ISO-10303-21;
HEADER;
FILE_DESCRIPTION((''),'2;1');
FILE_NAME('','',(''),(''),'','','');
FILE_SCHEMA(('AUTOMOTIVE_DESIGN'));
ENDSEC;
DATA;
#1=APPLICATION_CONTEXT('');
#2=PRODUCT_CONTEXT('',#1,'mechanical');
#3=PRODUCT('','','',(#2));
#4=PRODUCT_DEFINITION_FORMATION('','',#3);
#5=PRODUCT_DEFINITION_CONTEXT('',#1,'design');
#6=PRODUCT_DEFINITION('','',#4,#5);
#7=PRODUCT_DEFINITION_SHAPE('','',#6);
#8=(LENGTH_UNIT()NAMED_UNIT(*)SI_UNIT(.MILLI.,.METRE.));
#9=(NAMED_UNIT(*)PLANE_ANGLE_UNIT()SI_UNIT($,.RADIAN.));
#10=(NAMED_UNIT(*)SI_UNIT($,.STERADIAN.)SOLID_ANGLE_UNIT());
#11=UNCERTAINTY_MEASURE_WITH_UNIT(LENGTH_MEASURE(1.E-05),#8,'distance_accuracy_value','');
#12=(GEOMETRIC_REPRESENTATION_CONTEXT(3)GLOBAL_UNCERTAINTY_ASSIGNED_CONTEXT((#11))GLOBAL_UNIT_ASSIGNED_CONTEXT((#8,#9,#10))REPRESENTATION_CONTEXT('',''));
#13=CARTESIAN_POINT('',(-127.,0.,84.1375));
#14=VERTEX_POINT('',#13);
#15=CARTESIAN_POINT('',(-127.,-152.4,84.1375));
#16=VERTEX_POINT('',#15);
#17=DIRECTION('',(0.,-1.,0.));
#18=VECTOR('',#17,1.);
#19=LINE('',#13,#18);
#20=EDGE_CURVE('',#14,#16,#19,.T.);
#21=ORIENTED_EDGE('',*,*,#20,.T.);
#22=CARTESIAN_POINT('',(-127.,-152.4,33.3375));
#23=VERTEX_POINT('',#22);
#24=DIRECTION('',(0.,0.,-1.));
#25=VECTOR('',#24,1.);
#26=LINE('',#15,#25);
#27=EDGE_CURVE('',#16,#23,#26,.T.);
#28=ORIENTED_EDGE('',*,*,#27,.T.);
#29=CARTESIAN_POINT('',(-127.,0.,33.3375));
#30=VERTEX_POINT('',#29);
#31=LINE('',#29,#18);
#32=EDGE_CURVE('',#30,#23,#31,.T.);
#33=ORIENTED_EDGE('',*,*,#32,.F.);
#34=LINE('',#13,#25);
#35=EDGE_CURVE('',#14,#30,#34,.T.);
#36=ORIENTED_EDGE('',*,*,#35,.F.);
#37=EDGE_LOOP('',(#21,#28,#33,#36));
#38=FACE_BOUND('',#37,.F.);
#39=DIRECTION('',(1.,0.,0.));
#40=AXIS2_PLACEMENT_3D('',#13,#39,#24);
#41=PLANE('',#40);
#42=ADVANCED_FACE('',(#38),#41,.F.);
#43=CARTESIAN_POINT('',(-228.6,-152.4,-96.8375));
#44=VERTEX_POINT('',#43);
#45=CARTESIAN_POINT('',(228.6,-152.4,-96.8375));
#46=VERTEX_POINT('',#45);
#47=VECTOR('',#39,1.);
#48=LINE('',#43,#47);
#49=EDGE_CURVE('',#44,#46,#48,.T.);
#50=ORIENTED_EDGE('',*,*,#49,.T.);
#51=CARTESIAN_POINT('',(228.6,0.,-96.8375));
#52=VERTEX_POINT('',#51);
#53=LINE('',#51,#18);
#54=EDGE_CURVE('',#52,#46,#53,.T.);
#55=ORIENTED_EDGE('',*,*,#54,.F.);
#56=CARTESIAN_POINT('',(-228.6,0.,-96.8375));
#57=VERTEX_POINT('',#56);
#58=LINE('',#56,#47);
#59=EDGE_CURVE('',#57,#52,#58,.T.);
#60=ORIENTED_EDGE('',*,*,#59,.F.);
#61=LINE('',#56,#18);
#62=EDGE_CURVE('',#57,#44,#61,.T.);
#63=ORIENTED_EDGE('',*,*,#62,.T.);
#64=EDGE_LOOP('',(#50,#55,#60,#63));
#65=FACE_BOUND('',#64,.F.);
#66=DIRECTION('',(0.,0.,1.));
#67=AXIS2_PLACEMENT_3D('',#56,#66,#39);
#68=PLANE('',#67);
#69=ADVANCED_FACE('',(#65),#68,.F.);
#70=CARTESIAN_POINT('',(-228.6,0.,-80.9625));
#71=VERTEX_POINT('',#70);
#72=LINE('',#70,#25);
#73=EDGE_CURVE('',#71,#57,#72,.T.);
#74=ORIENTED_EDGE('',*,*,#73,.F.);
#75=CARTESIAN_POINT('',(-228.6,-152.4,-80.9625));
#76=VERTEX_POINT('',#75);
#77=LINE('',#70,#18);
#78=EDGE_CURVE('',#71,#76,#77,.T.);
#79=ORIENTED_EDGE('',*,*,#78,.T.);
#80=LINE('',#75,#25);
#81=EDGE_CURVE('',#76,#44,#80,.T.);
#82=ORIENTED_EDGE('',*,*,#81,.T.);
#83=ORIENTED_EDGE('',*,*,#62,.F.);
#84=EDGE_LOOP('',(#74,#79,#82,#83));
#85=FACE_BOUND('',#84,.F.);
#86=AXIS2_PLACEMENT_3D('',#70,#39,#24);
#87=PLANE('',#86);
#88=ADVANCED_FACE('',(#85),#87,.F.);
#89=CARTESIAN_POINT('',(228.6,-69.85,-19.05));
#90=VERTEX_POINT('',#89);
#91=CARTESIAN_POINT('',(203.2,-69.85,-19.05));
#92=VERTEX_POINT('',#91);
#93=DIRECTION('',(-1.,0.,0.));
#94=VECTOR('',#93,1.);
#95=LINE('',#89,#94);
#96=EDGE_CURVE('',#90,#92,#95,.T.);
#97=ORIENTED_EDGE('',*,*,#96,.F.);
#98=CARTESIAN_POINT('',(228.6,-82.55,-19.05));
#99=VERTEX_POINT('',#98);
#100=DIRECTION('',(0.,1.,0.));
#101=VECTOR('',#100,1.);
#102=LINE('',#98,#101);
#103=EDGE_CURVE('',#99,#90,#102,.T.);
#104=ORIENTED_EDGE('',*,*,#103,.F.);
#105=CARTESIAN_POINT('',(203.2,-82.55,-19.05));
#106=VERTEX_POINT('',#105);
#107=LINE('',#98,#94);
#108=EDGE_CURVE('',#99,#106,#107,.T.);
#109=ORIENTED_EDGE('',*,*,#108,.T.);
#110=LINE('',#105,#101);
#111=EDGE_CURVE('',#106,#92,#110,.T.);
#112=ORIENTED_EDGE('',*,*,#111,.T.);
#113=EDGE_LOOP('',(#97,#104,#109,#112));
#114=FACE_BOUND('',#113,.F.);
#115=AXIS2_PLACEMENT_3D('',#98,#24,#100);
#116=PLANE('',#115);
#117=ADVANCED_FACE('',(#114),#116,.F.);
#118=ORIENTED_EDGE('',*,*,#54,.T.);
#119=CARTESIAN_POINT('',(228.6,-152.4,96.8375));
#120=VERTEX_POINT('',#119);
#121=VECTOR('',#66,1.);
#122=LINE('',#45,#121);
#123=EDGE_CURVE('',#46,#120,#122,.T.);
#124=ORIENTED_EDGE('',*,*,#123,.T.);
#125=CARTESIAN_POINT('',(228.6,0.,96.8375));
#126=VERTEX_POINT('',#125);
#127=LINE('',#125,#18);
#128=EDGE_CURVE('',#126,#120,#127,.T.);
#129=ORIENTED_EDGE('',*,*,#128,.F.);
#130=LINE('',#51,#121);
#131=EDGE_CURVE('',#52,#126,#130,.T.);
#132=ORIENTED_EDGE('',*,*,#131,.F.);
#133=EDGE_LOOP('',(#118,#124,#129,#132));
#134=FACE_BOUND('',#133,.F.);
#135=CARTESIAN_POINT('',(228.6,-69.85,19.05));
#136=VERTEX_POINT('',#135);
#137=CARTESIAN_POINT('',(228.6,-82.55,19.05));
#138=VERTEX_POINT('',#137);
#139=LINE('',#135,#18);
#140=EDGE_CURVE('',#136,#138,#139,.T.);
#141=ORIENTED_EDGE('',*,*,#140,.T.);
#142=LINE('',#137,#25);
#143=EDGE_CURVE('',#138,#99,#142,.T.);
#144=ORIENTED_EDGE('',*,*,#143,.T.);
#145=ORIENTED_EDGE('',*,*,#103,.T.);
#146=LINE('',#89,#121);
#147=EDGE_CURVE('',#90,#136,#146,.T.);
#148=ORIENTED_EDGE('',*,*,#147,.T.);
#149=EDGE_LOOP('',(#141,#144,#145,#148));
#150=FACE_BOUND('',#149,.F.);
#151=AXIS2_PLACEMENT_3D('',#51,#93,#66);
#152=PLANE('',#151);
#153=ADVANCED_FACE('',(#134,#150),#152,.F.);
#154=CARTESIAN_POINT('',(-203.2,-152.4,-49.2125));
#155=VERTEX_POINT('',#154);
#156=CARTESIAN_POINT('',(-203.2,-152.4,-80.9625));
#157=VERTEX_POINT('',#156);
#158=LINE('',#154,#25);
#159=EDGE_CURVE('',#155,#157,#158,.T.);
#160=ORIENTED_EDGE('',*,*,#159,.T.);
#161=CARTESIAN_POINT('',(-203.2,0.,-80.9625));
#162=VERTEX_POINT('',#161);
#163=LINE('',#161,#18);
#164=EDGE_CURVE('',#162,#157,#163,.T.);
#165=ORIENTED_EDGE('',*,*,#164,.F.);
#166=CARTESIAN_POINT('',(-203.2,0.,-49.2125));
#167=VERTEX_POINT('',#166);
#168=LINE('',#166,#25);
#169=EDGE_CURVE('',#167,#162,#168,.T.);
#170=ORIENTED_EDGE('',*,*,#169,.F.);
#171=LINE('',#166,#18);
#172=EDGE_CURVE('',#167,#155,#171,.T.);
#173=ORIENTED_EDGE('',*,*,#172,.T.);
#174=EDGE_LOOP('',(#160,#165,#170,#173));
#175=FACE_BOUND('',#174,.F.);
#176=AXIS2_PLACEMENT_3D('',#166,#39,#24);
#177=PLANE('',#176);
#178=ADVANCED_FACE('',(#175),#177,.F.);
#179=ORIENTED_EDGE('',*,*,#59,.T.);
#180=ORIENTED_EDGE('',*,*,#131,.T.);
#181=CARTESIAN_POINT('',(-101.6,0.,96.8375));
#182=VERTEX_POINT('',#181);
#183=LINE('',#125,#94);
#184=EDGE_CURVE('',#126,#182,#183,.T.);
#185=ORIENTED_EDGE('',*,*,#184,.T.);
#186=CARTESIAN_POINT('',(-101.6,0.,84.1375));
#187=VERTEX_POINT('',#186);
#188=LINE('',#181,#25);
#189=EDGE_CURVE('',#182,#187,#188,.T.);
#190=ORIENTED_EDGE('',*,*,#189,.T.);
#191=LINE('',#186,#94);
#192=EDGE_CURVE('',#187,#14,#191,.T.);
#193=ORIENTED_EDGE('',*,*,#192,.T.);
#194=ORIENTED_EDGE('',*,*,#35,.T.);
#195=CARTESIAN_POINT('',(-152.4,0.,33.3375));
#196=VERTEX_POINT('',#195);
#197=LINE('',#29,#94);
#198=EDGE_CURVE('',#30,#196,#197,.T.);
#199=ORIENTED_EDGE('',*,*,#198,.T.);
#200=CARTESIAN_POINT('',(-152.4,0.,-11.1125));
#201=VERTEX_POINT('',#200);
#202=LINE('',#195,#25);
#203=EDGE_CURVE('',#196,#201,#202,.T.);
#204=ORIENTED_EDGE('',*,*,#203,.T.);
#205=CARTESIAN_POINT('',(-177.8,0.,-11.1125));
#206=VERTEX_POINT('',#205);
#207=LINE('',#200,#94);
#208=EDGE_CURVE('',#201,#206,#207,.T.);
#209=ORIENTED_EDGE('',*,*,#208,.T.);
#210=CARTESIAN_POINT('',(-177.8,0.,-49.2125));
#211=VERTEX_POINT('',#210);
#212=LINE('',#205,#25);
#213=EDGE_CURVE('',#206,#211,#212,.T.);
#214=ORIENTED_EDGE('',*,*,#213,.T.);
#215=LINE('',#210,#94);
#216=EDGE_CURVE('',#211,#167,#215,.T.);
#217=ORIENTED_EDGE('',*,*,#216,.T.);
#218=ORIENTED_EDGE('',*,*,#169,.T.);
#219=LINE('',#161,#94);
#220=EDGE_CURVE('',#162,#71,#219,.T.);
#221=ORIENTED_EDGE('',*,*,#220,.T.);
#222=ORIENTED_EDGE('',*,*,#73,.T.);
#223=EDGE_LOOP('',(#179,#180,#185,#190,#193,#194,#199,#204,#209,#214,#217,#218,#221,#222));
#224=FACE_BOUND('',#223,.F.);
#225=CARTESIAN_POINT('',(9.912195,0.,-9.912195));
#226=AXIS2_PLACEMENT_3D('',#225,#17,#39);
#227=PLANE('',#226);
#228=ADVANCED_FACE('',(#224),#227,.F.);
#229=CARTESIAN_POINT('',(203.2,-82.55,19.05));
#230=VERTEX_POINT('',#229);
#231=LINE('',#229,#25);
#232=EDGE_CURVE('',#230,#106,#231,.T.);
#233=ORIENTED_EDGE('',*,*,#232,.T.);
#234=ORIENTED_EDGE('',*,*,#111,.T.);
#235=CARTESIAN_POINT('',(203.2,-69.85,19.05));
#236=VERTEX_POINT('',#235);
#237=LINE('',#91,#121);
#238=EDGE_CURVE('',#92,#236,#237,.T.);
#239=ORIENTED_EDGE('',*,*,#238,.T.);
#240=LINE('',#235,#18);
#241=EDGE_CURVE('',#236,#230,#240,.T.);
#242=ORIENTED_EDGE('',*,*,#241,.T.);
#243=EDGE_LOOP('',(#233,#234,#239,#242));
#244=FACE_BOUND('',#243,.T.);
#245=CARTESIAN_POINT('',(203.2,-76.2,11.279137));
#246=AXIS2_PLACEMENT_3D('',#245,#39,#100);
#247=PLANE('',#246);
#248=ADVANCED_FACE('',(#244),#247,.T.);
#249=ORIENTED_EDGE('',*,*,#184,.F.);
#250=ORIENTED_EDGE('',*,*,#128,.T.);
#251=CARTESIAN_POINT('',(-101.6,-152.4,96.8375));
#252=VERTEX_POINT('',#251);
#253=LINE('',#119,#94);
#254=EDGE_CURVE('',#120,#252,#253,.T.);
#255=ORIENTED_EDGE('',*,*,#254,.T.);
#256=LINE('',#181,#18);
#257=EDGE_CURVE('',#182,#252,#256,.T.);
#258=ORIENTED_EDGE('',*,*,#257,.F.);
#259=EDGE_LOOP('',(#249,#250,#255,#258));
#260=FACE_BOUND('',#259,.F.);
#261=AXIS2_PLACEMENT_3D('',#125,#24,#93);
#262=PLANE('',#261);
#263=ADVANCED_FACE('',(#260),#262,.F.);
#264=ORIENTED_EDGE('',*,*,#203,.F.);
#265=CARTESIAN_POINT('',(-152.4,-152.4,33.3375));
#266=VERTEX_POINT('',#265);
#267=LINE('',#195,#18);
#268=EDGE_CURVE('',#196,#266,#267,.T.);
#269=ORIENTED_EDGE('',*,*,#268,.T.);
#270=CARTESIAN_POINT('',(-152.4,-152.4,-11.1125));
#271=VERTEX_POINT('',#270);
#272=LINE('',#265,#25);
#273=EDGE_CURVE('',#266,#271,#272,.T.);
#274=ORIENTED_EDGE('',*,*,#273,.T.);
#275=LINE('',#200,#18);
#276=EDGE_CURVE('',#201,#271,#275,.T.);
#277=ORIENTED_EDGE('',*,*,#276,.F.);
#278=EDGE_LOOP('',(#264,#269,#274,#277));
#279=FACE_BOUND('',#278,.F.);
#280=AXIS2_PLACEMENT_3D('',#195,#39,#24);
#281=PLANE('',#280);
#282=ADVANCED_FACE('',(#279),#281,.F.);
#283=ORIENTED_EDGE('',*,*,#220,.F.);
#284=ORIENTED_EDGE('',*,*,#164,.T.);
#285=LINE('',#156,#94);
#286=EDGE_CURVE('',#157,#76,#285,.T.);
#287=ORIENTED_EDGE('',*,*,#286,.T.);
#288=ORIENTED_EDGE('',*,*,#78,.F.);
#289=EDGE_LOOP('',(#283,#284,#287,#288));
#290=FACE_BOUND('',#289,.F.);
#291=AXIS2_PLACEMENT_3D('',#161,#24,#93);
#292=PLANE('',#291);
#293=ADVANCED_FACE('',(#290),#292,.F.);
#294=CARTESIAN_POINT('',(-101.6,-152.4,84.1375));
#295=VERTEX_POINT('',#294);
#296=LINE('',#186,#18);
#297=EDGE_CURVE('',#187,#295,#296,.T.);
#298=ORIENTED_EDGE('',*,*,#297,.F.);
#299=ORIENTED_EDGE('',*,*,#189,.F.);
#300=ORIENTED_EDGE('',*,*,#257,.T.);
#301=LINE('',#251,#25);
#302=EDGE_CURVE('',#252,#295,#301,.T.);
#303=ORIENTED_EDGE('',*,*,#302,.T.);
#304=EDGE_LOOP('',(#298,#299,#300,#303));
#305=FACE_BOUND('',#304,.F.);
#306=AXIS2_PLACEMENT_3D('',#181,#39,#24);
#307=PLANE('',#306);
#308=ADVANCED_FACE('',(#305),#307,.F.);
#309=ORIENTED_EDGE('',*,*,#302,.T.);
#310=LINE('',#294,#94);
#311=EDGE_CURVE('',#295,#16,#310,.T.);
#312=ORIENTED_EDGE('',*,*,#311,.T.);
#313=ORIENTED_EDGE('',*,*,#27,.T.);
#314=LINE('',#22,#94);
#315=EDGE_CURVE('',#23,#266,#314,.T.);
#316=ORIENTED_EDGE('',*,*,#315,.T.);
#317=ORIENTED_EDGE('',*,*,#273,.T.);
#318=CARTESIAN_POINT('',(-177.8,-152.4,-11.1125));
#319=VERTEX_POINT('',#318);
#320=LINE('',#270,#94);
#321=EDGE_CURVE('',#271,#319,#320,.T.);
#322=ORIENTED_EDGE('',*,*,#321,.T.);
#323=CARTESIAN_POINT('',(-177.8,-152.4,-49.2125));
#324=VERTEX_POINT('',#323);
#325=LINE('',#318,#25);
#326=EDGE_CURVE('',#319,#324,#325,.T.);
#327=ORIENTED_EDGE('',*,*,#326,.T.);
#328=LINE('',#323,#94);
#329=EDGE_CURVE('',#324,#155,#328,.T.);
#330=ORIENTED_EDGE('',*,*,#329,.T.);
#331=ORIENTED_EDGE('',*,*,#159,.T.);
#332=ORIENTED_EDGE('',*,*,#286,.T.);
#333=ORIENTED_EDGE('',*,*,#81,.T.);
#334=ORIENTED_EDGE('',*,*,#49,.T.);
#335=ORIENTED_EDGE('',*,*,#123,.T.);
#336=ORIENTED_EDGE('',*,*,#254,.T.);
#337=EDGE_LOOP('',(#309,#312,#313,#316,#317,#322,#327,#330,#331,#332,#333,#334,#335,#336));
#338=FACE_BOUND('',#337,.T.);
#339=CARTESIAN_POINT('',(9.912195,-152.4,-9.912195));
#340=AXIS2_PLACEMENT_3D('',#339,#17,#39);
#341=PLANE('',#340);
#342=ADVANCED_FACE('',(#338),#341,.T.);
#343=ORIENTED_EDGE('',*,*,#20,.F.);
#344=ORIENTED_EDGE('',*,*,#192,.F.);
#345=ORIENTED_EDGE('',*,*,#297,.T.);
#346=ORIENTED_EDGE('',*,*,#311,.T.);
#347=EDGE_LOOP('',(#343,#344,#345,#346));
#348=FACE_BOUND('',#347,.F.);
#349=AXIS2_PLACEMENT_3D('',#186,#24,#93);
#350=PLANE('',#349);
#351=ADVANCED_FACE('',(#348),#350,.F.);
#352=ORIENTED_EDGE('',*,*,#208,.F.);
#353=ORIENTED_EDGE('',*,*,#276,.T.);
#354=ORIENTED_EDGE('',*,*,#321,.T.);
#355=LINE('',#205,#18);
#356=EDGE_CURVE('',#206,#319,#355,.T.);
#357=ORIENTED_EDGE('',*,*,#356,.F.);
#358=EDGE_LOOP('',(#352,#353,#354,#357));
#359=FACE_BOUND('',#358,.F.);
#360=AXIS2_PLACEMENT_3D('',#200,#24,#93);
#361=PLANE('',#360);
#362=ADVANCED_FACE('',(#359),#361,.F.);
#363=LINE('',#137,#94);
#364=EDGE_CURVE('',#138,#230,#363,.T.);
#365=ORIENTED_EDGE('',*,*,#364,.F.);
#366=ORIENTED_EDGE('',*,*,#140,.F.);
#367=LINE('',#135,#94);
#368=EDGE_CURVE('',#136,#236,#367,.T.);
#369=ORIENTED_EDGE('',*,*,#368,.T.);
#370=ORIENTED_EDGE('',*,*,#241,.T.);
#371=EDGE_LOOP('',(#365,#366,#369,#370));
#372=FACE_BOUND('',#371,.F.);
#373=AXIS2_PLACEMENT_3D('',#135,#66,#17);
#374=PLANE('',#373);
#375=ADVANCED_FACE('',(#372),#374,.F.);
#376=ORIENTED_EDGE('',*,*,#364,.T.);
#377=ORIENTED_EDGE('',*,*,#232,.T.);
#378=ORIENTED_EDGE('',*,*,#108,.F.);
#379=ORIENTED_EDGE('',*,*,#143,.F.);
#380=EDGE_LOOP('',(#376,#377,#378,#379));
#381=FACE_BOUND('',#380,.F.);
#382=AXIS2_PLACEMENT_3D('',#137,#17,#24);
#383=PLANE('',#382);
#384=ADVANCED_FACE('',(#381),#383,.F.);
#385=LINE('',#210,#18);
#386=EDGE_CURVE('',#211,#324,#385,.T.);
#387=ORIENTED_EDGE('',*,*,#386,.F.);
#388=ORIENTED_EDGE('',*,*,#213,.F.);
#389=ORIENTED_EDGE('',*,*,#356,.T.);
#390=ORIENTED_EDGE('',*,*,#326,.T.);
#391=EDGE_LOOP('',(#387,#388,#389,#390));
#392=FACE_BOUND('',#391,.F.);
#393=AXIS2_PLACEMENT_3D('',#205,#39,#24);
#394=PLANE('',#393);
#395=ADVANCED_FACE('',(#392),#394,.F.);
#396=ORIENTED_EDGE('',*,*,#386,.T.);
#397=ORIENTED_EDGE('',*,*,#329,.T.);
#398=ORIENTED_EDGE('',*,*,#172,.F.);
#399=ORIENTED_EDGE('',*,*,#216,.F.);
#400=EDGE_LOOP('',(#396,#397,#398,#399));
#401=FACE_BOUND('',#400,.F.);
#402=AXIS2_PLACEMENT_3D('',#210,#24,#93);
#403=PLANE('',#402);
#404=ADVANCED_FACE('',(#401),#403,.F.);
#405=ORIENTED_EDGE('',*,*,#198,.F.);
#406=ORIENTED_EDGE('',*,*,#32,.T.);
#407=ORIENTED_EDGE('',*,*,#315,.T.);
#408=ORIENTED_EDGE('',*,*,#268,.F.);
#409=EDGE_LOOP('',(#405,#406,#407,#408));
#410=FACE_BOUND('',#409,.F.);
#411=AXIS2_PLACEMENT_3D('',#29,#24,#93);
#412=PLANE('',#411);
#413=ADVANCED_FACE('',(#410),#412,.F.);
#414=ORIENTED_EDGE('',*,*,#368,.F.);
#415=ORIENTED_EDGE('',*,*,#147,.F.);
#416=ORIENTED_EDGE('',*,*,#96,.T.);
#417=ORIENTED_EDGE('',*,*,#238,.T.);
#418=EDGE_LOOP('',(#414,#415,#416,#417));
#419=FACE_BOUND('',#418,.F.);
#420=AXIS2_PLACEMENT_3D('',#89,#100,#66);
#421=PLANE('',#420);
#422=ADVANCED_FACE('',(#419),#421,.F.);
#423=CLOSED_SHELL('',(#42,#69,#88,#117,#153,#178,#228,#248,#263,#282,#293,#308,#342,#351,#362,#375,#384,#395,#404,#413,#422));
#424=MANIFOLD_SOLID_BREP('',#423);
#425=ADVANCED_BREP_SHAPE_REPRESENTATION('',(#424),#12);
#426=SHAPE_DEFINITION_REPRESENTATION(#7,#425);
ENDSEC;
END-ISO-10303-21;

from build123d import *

# Parameters (mm, degrees)
F1_DEPTH = 152.4
F3_DEPTH = 25.4


with BuildPart() as f1:
    # F0 (on Front) → F1 (new body)
    with BuildSketch(Plane.XZ):
        Polygon((228.6, -96.8375), (228.6, 96.8375), (-101.6, 96.8375), (-101.6, 84.1375), (-127, 84.1375), (-127, 33.3375), (-152.4, 33.3375), (-152.4, -11.1125), (-177.8, -11.1125), (-177.8, -49.2125), (-203.2, -49.2125), (-203.2, -80.9625), (-228.6, -80.9625), (-228.6, -96.8375), align=None)
    extrude(amount=F1_DEPTH)

    # F2 (on face) → F3 (cut)
    with BuildSketch(Plane.YZ.offset(228.6)):
        Polygon((-82.55, 19.05), (-82.55, 8.069792), (-76.2, 0), (-69.85, 8.069792), (-69.85, 19.05), align=None)
        Polygon((-76.2, 0), (-82.55, 8.069792), (-82.55, -8.069792), align=None)
        Polygon((-69.85, 8.069792), (-76.2, 0), (-69.85, -8.069792), align=None)
        Polygon((-69.85, -8.069792), (-76.2, 0), (-82.55, -8.069792), (-82.55, -19.05), (-69.85, -19.05), align=None)
    extrude(amount=-F3_DEPTH, mode=Mode.SUBTRACT)


solid = f1.part
